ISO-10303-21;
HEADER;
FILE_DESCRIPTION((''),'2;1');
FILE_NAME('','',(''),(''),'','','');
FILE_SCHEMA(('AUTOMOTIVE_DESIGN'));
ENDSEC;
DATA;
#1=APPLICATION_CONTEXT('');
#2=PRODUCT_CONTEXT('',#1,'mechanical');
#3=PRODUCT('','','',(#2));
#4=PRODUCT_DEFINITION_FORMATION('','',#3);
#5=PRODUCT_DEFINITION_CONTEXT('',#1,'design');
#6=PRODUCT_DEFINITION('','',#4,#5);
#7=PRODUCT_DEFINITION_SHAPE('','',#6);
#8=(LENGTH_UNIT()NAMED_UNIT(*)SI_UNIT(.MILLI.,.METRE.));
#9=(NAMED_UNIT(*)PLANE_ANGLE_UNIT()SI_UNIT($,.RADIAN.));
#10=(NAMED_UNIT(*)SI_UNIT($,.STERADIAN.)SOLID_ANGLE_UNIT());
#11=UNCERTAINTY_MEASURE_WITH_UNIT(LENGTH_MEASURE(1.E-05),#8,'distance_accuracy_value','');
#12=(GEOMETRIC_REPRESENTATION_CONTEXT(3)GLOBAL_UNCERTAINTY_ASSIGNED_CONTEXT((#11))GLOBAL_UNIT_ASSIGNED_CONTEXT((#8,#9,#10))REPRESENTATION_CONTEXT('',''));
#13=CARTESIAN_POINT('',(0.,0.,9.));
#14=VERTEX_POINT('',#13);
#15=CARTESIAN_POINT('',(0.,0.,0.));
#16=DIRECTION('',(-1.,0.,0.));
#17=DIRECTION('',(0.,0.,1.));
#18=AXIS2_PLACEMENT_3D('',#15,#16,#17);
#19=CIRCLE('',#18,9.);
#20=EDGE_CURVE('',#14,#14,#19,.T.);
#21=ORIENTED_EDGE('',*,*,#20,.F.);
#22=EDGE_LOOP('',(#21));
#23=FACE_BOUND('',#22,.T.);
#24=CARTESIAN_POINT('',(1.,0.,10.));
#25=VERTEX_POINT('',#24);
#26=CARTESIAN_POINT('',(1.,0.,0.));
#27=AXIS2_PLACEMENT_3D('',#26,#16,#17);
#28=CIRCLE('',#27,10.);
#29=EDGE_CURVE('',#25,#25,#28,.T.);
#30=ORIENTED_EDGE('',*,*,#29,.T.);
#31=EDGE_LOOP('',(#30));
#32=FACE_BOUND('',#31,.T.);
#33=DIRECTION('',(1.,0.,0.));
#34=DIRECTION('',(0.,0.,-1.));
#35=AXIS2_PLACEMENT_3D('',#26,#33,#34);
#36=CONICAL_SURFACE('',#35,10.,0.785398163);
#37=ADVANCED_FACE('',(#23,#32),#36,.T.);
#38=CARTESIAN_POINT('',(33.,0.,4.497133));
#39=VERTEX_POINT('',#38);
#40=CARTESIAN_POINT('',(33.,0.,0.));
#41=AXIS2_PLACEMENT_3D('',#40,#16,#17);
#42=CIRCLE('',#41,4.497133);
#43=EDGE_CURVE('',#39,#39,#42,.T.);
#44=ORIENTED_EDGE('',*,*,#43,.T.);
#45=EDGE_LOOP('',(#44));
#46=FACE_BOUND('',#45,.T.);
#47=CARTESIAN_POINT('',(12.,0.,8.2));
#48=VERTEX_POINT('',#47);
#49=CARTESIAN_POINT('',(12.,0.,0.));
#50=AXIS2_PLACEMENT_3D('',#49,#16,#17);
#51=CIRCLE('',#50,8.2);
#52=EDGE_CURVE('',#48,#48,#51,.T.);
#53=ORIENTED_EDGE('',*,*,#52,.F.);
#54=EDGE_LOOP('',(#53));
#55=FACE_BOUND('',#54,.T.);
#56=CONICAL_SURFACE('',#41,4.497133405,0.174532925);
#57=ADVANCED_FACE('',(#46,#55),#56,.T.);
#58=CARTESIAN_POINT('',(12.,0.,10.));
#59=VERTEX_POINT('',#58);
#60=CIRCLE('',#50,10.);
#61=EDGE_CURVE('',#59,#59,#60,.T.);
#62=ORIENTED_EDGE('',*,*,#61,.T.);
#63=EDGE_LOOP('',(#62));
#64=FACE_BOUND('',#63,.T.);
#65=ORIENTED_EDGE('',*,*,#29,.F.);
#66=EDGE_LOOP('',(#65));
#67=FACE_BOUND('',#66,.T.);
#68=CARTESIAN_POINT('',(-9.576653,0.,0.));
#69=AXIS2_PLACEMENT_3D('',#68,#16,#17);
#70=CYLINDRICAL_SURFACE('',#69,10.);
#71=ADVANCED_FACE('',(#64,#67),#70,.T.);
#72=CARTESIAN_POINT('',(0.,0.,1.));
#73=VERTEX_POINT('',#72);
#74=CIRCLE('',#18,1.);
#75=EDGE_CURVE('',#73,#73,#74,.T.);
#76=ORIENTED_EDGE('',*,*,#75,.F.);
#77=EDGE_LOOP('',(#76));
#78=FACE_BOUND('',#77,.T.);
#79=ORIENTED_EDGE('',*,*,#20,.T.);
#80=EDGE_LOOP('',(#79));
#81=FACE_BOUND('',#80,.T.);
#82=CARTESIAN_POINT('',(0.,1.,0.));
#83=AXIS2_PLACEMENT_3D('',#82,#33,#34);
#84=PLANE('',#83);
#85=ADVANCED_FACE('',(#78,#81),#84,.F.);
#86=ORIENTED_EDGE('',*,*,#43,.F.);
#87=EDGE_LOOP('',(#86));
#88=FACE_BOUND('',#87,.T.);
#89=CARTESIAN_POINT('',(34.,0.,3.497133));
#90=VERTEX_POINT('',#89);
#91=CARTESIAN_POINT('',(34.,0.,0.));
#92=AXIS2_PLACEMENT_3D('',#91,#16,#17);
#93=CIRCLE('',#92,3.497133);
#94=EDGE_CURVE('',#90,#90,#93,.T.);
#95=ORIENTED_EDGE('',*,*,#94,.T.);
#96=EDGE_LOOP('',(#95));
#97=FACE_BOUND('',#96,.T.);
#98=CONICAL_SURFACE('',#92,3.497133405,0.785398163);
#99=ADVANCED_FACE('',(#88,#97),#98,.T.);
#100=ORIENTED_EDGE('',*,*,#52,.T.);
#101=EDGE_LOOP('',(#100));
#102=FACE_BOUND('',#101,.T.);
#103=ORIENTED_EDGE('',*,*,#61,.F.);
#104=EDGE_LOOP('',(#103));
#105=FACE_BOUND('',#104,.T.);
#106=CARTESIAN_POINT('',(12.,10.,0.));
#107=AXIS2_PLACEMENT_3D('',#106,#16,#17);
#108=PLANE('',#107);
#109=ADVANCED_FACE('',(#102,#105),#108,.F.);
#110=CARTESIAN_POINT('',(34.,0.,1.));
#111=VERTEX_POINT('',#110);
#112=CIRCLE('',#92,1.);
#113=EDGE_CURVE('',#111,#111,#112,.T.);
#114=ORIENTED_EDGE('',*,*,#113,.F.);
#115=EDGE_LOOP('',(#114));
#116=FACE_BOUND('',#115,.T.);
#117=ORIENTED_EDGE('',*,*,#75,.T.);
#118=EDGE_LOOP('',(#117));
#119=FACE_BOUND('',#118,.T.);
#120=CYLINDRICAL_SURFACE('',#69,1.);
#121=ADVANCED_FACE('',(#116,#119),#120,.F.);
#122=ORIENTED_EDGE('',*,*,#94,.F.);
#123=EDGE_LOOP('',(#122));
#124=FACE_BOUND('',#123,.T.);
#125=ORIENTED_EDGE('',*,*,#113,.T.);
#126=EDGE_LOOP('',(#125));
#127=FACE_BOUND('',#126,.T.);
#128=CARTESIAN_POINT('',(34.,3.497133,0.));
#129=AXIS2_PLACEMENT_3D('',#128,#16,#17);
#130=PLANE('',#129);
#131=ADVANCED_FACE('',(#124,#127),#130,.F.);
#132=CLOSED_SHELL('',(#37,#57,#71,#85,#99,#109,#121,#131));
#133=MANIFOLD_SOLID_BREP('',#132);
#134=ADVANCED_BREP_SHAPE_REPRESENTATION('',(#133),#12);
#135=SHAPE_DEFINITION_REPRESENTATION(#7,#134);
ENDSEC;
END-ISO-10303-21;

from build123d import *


with BuildPart() as part:
    # Esquisse1 → Révolution1 (revolve)
    with BuildSketch(Plane.XY, mode=Mode.PRIVATE) as r_volution1_sk:
        Polygon((0, 9), (1, 10), (12, 10), (12, 8.2), (33, 4.497133405), (34, 3.497133405), (34, 1), (0, 1), align=None)
    revolve(r_volution1_sk.sketch.rotate(Axis((-9.576652971, 0, 0), (1, 0, 0)), 90), axis=Axis((-9.576652971, 0, 0), (1, 0, 0)))


solid = part.part
